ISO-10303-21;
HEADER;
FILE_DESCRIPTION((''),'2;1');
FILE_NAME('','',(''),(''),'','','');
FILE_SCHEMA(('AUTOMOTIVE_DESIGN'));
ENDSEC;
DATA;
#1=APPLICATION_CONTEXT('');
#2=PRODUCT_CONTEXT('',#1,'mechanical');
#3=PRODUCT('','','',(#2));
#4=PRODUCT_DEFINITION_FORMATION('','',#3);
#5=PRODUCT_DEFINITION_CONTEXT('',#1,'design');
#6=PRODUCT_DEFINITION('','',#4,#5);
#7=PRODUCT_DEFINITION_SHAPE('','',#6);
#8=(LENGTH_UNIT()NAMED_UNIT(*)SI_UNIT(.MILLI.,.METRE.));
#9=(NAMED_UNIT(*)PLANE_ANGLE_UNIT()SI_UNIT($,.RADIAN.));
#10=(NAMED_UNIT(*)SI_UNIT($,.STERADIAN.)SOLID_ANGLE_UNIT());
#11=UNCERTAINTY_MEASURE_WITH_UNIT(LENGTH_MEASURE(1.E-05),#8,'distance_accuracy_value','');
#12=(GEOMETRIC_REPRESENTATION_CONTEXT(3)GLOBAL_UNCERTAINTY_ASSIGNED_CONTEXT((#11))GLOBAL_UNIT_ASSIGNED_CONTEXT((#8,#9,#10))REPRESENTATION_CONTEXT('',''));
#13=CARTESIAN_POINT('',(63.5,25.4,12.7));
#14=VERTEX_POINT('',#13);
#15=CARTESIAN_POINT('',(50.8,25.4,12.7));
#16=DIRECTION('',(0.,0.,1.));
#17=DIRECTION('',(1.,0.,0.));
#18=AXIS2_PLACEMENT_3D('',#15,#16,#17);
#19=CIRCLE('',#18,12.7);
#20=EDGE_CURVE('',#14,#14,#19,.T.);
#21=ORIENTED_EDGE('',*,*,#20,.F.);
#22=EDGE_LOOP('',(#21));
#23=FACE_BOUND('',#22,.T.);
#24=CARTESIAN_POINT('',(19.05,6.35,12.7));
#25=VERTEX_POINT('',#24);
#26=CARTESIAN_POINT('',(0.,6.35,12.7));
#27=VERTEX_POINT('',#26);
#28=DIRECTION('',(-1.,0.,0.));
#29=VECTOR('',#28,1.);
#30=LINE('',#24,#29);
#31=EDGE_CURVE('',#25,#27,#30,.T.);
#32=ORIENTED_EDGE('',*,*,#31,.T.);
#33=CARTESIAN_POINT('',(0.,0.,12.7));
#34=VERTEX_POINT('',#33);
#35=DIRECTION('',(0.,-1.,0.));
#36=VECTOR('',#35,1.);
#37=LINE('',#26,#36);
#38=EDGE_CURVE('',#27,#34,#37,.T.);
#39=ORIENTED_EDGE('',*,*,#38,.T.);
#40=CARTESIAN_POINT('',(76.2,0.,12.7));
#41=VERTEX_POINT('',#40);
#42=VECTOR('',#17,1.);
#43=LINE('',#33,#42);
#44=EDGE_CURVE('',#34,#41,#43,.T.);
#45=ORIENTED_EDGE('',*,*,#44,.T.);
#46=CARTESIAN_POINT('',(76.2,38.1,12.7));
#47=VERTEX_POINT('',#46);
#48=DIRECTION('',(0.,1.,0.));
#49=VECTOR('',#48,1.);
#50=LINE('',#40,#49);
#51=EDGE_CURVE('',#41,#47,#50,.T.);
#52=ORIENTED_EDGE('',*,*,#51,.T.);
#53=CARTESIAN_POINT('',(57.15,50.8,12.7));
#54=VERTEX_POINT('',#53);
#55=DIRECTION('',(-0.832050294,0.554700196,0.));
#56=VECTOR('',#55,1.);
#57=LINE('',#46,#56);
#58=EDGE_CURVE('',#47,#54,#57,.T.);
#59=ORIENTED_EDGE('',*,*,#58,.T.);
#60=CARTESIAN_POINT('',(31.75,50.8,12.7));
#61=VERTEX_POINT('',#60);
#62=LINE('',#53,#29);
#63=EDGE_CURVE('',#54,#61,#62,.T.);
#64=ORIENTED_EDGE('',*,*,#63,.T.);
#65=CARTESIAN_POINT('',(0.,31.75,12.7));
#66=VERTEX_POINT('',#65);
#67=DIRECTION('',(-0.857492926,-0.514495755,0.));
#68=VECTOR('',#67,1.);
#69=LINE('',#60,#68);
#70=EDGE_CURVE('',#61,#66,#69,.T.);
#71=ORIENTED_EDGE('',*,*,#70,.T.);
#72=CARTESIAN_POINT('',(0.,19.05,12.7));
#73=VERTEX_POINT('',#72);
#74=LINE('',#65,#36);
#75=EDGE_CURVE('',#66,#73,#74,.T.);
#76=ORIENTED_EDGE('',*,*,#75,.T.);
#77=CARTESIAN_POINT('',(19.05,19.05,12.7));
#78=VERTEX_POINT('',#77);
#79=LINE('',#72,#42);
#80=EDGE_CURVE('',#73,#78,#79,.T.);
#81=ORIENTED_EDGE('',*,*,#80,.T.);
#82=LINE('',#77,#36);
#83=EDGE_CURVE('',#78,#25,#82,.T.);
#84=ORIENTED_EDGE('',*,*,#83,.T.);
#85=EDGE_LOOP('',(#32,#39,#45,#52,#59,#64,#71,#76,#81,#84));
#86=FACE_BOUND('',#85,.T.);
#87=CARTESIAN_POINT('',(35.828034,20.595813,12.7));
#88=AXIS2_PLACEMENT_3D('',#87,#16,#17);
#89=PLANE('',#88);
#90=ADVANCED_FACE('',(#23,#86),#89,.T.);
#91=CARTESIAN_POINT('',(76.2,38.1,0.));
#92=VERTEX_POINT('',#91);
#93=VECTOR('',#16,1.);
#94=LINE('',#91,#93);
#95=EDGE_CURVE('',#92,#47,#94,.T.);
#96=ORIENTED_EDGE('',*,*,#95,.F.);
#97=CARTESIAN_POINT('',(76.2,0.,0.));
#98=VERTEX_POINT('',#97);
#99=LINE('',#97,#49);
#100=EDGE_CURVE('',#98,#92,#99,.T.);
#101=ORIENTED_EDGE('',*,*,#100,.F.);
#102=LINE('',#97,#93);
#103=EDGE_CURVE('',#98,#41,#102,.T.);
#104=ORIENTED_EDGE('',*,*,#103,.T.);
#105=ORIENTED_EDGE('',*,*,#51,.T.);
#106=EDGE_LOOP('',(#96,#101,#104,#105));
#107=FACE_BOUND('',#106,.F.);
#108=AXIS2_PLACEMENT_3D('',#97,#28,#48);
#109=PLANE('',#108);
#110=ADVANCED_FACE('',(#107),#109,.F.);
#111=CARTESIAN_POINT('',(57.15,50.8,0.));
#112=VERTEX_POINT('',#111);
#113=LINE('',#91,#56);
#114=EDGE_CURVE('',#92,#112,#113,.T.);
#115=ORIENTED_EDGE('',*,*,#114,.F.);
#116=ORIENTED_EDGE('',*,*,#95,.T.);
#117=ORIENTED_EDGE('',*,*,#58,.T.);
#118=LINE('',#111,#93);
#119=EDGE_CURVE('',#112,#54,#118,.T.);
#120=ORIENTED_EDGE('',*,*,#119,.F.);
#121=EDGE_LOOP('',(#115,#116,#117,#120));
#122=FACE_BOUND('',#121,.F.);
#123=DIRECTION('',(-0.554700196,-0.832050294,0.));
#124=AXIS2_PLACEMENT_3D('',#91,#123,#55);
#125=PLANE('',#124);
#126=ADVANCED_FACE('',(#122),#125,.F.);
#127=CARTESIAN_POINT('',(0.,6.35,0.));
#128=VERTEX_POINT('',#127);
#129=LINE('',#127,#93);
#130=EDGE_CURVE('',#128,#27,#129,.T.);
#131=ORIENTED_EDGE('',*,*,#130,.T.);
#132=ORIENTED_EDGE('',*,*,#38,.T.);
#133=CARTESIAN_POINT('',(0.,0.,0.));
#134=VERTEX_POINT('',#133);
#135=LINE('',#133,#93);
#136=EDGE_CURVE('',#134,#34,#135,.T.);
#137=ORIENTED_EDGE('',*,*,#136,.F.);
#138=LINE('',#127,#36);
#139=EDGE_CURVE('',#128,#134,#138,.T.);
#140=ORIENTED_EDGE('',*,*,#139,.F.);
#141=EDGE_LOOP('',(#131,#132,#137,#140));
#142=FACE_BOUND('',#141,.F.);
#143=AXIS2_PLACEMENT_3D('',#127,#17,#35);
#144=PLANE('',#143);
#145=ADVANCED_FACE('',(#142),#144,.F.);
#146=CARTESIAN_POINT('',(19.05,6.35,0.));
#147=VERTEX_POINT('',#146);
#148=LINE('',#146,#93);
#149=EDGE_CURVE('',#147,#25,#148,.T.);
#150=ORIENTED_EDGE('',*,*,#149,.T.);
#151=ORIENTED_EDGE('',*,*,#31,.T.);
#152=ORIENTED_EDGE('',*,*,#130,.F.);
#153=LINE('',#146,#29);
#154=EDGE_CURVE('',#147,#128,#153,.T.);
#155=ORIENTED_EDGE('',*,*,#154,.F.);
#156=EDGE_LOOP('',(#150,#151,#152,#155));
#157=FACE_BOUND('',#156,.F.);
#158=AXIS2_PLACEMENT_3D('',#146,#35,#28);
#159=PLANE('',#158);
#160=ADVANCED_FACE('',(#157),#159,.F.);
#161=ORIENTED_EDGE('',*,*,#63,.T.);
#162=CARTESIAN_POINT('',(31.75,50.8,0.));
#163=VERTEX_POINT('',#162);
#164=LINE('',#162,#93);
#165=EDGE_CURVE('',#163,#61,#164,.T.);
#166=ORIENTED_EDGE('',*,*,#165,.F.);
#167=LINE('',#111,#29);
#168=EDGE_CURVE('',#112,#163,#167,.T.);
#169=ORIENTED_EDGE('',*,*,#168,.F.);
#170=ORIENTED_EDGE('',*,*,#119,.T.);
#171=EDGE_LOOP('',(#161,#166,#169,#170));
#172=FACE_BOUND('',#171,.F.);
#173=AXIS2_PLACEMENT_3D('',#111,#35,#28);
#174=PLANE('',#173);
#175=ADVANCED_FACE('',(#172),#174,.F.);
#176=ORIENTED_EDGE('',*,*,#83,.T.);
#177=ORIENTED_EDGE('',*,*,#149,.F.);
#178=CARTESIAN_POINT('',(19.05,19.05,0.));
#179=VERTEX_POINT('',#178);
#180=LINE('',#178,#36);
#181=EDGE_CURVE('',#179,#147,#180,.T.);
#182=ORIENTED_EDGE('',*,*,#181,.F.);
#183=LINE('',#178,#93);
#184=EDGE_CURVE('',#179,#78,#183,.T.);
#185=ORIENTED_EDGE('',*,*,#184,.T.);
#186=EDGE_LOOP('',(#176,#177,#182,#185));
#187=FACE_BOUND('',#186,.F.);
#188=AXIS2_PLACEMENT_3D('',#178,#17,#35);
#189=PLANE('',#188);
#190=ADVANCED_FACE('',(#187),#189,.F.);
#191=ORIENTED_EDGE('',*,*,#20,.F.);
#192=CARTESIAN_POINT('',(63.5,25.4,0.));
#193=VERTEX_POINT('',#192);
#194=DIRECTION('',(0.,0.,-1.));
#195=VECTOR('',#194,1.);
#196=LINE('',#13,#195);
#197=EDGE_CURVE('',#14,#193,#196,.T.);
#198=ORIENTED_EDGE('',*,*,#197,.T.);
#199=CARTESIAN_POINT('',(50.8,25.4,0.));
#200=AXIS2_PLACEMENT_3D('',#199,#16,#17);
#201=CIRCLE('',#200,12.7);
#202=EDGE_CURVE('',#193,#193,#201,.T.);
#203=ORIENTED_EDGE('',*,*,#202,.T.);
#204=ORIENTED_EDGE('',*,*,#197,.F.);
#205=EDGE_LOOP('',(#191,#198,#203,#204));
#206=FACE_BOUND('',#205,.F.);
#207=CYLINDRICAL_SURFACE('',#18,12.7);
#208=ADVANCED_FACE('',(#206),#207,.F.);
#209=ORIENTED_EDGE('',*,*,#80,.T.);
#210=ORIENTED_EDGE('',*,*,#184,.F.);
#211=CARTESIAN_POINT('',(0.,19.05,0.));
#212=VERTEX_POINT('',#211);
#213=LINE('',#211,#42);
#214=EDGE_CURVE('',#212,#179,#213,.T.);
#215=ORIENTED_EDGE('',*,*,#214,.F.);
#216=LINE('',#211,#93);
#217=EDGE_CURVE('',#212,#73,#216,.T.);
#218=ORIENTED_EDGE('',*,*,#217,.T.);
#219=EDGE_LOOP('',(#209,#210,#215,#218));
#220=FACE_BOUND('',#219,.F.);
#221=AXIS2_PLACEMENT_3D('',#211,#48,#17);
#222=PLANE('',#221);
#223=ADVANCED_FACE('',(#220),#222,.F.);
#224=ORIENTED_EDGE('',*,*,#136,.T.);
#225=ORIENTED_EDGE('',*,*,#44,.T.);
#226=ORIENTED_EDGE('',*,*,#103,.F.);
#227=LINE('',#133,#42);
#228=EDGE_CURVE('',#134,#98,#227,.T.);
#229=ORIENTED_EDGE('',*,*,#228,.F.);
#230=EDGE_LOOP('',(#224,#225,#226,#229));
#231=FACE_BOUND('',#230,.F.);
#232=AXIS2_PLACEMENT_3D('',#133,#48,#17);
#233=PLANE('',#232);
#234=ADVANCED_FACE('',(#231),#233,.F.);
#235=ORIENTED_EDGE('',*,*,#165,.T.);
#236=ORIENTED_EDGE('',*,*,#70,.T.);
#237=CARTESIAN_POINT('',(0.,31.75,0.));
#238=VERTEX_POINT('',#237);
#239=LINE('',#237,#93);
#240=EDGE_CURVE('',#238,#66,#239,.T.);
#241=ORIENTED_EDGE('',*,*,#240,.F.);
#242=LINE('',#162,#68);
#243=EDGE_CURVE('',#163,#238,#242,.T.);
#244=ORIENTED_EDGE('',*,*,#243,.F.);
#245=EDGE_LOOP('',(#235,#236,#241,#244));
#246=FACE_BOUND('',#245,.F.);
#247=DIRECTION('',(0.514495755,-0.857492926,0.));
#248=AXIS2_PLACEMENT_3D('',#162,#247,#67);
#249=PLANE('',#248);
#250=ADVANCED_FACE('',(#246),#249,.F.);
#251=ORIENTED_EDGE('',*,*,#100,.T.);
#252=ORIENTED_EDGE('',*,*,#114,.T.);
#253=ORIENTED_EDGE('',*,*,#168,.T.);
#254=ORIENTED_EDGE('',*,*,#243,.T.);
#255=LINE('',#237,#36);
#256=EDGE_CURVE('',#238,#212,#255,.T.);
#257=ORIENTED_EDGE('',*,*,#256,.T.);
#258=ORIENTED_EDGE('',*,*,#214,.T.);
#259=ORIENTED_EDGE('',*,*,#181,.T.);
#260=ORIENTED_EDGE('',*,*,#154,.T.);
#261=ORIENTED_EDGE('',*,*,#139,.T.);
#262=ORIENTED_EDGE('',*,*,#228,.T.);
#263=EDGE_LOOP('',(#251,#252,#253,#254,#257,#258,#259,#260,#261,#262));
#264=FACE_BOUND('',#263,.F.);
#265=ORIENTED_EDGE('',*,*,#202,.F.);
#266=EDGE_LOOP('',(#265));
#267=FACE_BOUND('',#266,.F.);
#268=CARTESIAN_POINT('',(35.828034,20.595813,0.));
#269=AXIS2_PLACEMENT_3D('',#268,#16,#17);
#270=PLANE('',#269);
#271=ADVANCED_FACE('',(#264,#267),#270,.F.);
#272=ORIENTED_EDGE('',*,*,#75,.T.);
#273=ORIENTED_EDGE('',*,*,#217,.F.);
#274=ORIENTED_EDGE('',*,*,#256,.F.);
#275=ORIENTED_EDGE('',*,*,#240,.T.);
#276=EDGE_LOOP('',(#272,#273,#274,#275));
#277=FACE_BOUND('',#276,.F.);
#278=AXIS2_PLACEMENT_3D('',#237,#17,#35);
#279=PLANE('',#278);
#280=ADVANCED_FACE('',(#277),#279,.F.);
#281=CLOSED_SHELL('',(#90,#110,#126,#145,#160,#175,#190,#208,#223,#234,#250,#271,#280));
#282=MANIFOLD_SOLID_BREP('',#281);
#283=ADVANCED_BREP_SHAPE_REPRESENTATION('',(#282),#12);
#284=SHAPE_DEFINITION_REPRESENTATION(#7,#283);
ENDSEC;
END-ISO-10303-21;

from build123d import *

# Parameters (mm, degrees)
BOSS_EXTRUDE1_DEPTH = 12.7
SKETCH2_R           = 12.7
CUT_EXTRUDE1_DEPTH  = 13.7


with BuildPart() as part:
    # Sketch1 → Boss-Extrude1 (new body)
    with BuildSketch(Plane.XY):
        Polygon((0, 0), (76.2, 0), (76.2, 38.1), (57.15, 50.8), (31.75, 50.8), (0, 31.75), (0, 19.05), (19.05, 19.05), (19.05, 6.35), (0, 6.35), align=None)
    extrude(amount=BOSS_EXTRUDE1_DEPTH)

    # Sketch2 → Cut-Extrude1 (cut, through all)
    with BuildSketch(Plane.XY.offset(12.7)):
        with Locations((50.8, 25.4)):
            Circle(SKETCH2_R)
    extrude(amount=-CUT_EXTRUDE1_DEPTH, mode=Mode.SUBTRACT)


solid = part.part
